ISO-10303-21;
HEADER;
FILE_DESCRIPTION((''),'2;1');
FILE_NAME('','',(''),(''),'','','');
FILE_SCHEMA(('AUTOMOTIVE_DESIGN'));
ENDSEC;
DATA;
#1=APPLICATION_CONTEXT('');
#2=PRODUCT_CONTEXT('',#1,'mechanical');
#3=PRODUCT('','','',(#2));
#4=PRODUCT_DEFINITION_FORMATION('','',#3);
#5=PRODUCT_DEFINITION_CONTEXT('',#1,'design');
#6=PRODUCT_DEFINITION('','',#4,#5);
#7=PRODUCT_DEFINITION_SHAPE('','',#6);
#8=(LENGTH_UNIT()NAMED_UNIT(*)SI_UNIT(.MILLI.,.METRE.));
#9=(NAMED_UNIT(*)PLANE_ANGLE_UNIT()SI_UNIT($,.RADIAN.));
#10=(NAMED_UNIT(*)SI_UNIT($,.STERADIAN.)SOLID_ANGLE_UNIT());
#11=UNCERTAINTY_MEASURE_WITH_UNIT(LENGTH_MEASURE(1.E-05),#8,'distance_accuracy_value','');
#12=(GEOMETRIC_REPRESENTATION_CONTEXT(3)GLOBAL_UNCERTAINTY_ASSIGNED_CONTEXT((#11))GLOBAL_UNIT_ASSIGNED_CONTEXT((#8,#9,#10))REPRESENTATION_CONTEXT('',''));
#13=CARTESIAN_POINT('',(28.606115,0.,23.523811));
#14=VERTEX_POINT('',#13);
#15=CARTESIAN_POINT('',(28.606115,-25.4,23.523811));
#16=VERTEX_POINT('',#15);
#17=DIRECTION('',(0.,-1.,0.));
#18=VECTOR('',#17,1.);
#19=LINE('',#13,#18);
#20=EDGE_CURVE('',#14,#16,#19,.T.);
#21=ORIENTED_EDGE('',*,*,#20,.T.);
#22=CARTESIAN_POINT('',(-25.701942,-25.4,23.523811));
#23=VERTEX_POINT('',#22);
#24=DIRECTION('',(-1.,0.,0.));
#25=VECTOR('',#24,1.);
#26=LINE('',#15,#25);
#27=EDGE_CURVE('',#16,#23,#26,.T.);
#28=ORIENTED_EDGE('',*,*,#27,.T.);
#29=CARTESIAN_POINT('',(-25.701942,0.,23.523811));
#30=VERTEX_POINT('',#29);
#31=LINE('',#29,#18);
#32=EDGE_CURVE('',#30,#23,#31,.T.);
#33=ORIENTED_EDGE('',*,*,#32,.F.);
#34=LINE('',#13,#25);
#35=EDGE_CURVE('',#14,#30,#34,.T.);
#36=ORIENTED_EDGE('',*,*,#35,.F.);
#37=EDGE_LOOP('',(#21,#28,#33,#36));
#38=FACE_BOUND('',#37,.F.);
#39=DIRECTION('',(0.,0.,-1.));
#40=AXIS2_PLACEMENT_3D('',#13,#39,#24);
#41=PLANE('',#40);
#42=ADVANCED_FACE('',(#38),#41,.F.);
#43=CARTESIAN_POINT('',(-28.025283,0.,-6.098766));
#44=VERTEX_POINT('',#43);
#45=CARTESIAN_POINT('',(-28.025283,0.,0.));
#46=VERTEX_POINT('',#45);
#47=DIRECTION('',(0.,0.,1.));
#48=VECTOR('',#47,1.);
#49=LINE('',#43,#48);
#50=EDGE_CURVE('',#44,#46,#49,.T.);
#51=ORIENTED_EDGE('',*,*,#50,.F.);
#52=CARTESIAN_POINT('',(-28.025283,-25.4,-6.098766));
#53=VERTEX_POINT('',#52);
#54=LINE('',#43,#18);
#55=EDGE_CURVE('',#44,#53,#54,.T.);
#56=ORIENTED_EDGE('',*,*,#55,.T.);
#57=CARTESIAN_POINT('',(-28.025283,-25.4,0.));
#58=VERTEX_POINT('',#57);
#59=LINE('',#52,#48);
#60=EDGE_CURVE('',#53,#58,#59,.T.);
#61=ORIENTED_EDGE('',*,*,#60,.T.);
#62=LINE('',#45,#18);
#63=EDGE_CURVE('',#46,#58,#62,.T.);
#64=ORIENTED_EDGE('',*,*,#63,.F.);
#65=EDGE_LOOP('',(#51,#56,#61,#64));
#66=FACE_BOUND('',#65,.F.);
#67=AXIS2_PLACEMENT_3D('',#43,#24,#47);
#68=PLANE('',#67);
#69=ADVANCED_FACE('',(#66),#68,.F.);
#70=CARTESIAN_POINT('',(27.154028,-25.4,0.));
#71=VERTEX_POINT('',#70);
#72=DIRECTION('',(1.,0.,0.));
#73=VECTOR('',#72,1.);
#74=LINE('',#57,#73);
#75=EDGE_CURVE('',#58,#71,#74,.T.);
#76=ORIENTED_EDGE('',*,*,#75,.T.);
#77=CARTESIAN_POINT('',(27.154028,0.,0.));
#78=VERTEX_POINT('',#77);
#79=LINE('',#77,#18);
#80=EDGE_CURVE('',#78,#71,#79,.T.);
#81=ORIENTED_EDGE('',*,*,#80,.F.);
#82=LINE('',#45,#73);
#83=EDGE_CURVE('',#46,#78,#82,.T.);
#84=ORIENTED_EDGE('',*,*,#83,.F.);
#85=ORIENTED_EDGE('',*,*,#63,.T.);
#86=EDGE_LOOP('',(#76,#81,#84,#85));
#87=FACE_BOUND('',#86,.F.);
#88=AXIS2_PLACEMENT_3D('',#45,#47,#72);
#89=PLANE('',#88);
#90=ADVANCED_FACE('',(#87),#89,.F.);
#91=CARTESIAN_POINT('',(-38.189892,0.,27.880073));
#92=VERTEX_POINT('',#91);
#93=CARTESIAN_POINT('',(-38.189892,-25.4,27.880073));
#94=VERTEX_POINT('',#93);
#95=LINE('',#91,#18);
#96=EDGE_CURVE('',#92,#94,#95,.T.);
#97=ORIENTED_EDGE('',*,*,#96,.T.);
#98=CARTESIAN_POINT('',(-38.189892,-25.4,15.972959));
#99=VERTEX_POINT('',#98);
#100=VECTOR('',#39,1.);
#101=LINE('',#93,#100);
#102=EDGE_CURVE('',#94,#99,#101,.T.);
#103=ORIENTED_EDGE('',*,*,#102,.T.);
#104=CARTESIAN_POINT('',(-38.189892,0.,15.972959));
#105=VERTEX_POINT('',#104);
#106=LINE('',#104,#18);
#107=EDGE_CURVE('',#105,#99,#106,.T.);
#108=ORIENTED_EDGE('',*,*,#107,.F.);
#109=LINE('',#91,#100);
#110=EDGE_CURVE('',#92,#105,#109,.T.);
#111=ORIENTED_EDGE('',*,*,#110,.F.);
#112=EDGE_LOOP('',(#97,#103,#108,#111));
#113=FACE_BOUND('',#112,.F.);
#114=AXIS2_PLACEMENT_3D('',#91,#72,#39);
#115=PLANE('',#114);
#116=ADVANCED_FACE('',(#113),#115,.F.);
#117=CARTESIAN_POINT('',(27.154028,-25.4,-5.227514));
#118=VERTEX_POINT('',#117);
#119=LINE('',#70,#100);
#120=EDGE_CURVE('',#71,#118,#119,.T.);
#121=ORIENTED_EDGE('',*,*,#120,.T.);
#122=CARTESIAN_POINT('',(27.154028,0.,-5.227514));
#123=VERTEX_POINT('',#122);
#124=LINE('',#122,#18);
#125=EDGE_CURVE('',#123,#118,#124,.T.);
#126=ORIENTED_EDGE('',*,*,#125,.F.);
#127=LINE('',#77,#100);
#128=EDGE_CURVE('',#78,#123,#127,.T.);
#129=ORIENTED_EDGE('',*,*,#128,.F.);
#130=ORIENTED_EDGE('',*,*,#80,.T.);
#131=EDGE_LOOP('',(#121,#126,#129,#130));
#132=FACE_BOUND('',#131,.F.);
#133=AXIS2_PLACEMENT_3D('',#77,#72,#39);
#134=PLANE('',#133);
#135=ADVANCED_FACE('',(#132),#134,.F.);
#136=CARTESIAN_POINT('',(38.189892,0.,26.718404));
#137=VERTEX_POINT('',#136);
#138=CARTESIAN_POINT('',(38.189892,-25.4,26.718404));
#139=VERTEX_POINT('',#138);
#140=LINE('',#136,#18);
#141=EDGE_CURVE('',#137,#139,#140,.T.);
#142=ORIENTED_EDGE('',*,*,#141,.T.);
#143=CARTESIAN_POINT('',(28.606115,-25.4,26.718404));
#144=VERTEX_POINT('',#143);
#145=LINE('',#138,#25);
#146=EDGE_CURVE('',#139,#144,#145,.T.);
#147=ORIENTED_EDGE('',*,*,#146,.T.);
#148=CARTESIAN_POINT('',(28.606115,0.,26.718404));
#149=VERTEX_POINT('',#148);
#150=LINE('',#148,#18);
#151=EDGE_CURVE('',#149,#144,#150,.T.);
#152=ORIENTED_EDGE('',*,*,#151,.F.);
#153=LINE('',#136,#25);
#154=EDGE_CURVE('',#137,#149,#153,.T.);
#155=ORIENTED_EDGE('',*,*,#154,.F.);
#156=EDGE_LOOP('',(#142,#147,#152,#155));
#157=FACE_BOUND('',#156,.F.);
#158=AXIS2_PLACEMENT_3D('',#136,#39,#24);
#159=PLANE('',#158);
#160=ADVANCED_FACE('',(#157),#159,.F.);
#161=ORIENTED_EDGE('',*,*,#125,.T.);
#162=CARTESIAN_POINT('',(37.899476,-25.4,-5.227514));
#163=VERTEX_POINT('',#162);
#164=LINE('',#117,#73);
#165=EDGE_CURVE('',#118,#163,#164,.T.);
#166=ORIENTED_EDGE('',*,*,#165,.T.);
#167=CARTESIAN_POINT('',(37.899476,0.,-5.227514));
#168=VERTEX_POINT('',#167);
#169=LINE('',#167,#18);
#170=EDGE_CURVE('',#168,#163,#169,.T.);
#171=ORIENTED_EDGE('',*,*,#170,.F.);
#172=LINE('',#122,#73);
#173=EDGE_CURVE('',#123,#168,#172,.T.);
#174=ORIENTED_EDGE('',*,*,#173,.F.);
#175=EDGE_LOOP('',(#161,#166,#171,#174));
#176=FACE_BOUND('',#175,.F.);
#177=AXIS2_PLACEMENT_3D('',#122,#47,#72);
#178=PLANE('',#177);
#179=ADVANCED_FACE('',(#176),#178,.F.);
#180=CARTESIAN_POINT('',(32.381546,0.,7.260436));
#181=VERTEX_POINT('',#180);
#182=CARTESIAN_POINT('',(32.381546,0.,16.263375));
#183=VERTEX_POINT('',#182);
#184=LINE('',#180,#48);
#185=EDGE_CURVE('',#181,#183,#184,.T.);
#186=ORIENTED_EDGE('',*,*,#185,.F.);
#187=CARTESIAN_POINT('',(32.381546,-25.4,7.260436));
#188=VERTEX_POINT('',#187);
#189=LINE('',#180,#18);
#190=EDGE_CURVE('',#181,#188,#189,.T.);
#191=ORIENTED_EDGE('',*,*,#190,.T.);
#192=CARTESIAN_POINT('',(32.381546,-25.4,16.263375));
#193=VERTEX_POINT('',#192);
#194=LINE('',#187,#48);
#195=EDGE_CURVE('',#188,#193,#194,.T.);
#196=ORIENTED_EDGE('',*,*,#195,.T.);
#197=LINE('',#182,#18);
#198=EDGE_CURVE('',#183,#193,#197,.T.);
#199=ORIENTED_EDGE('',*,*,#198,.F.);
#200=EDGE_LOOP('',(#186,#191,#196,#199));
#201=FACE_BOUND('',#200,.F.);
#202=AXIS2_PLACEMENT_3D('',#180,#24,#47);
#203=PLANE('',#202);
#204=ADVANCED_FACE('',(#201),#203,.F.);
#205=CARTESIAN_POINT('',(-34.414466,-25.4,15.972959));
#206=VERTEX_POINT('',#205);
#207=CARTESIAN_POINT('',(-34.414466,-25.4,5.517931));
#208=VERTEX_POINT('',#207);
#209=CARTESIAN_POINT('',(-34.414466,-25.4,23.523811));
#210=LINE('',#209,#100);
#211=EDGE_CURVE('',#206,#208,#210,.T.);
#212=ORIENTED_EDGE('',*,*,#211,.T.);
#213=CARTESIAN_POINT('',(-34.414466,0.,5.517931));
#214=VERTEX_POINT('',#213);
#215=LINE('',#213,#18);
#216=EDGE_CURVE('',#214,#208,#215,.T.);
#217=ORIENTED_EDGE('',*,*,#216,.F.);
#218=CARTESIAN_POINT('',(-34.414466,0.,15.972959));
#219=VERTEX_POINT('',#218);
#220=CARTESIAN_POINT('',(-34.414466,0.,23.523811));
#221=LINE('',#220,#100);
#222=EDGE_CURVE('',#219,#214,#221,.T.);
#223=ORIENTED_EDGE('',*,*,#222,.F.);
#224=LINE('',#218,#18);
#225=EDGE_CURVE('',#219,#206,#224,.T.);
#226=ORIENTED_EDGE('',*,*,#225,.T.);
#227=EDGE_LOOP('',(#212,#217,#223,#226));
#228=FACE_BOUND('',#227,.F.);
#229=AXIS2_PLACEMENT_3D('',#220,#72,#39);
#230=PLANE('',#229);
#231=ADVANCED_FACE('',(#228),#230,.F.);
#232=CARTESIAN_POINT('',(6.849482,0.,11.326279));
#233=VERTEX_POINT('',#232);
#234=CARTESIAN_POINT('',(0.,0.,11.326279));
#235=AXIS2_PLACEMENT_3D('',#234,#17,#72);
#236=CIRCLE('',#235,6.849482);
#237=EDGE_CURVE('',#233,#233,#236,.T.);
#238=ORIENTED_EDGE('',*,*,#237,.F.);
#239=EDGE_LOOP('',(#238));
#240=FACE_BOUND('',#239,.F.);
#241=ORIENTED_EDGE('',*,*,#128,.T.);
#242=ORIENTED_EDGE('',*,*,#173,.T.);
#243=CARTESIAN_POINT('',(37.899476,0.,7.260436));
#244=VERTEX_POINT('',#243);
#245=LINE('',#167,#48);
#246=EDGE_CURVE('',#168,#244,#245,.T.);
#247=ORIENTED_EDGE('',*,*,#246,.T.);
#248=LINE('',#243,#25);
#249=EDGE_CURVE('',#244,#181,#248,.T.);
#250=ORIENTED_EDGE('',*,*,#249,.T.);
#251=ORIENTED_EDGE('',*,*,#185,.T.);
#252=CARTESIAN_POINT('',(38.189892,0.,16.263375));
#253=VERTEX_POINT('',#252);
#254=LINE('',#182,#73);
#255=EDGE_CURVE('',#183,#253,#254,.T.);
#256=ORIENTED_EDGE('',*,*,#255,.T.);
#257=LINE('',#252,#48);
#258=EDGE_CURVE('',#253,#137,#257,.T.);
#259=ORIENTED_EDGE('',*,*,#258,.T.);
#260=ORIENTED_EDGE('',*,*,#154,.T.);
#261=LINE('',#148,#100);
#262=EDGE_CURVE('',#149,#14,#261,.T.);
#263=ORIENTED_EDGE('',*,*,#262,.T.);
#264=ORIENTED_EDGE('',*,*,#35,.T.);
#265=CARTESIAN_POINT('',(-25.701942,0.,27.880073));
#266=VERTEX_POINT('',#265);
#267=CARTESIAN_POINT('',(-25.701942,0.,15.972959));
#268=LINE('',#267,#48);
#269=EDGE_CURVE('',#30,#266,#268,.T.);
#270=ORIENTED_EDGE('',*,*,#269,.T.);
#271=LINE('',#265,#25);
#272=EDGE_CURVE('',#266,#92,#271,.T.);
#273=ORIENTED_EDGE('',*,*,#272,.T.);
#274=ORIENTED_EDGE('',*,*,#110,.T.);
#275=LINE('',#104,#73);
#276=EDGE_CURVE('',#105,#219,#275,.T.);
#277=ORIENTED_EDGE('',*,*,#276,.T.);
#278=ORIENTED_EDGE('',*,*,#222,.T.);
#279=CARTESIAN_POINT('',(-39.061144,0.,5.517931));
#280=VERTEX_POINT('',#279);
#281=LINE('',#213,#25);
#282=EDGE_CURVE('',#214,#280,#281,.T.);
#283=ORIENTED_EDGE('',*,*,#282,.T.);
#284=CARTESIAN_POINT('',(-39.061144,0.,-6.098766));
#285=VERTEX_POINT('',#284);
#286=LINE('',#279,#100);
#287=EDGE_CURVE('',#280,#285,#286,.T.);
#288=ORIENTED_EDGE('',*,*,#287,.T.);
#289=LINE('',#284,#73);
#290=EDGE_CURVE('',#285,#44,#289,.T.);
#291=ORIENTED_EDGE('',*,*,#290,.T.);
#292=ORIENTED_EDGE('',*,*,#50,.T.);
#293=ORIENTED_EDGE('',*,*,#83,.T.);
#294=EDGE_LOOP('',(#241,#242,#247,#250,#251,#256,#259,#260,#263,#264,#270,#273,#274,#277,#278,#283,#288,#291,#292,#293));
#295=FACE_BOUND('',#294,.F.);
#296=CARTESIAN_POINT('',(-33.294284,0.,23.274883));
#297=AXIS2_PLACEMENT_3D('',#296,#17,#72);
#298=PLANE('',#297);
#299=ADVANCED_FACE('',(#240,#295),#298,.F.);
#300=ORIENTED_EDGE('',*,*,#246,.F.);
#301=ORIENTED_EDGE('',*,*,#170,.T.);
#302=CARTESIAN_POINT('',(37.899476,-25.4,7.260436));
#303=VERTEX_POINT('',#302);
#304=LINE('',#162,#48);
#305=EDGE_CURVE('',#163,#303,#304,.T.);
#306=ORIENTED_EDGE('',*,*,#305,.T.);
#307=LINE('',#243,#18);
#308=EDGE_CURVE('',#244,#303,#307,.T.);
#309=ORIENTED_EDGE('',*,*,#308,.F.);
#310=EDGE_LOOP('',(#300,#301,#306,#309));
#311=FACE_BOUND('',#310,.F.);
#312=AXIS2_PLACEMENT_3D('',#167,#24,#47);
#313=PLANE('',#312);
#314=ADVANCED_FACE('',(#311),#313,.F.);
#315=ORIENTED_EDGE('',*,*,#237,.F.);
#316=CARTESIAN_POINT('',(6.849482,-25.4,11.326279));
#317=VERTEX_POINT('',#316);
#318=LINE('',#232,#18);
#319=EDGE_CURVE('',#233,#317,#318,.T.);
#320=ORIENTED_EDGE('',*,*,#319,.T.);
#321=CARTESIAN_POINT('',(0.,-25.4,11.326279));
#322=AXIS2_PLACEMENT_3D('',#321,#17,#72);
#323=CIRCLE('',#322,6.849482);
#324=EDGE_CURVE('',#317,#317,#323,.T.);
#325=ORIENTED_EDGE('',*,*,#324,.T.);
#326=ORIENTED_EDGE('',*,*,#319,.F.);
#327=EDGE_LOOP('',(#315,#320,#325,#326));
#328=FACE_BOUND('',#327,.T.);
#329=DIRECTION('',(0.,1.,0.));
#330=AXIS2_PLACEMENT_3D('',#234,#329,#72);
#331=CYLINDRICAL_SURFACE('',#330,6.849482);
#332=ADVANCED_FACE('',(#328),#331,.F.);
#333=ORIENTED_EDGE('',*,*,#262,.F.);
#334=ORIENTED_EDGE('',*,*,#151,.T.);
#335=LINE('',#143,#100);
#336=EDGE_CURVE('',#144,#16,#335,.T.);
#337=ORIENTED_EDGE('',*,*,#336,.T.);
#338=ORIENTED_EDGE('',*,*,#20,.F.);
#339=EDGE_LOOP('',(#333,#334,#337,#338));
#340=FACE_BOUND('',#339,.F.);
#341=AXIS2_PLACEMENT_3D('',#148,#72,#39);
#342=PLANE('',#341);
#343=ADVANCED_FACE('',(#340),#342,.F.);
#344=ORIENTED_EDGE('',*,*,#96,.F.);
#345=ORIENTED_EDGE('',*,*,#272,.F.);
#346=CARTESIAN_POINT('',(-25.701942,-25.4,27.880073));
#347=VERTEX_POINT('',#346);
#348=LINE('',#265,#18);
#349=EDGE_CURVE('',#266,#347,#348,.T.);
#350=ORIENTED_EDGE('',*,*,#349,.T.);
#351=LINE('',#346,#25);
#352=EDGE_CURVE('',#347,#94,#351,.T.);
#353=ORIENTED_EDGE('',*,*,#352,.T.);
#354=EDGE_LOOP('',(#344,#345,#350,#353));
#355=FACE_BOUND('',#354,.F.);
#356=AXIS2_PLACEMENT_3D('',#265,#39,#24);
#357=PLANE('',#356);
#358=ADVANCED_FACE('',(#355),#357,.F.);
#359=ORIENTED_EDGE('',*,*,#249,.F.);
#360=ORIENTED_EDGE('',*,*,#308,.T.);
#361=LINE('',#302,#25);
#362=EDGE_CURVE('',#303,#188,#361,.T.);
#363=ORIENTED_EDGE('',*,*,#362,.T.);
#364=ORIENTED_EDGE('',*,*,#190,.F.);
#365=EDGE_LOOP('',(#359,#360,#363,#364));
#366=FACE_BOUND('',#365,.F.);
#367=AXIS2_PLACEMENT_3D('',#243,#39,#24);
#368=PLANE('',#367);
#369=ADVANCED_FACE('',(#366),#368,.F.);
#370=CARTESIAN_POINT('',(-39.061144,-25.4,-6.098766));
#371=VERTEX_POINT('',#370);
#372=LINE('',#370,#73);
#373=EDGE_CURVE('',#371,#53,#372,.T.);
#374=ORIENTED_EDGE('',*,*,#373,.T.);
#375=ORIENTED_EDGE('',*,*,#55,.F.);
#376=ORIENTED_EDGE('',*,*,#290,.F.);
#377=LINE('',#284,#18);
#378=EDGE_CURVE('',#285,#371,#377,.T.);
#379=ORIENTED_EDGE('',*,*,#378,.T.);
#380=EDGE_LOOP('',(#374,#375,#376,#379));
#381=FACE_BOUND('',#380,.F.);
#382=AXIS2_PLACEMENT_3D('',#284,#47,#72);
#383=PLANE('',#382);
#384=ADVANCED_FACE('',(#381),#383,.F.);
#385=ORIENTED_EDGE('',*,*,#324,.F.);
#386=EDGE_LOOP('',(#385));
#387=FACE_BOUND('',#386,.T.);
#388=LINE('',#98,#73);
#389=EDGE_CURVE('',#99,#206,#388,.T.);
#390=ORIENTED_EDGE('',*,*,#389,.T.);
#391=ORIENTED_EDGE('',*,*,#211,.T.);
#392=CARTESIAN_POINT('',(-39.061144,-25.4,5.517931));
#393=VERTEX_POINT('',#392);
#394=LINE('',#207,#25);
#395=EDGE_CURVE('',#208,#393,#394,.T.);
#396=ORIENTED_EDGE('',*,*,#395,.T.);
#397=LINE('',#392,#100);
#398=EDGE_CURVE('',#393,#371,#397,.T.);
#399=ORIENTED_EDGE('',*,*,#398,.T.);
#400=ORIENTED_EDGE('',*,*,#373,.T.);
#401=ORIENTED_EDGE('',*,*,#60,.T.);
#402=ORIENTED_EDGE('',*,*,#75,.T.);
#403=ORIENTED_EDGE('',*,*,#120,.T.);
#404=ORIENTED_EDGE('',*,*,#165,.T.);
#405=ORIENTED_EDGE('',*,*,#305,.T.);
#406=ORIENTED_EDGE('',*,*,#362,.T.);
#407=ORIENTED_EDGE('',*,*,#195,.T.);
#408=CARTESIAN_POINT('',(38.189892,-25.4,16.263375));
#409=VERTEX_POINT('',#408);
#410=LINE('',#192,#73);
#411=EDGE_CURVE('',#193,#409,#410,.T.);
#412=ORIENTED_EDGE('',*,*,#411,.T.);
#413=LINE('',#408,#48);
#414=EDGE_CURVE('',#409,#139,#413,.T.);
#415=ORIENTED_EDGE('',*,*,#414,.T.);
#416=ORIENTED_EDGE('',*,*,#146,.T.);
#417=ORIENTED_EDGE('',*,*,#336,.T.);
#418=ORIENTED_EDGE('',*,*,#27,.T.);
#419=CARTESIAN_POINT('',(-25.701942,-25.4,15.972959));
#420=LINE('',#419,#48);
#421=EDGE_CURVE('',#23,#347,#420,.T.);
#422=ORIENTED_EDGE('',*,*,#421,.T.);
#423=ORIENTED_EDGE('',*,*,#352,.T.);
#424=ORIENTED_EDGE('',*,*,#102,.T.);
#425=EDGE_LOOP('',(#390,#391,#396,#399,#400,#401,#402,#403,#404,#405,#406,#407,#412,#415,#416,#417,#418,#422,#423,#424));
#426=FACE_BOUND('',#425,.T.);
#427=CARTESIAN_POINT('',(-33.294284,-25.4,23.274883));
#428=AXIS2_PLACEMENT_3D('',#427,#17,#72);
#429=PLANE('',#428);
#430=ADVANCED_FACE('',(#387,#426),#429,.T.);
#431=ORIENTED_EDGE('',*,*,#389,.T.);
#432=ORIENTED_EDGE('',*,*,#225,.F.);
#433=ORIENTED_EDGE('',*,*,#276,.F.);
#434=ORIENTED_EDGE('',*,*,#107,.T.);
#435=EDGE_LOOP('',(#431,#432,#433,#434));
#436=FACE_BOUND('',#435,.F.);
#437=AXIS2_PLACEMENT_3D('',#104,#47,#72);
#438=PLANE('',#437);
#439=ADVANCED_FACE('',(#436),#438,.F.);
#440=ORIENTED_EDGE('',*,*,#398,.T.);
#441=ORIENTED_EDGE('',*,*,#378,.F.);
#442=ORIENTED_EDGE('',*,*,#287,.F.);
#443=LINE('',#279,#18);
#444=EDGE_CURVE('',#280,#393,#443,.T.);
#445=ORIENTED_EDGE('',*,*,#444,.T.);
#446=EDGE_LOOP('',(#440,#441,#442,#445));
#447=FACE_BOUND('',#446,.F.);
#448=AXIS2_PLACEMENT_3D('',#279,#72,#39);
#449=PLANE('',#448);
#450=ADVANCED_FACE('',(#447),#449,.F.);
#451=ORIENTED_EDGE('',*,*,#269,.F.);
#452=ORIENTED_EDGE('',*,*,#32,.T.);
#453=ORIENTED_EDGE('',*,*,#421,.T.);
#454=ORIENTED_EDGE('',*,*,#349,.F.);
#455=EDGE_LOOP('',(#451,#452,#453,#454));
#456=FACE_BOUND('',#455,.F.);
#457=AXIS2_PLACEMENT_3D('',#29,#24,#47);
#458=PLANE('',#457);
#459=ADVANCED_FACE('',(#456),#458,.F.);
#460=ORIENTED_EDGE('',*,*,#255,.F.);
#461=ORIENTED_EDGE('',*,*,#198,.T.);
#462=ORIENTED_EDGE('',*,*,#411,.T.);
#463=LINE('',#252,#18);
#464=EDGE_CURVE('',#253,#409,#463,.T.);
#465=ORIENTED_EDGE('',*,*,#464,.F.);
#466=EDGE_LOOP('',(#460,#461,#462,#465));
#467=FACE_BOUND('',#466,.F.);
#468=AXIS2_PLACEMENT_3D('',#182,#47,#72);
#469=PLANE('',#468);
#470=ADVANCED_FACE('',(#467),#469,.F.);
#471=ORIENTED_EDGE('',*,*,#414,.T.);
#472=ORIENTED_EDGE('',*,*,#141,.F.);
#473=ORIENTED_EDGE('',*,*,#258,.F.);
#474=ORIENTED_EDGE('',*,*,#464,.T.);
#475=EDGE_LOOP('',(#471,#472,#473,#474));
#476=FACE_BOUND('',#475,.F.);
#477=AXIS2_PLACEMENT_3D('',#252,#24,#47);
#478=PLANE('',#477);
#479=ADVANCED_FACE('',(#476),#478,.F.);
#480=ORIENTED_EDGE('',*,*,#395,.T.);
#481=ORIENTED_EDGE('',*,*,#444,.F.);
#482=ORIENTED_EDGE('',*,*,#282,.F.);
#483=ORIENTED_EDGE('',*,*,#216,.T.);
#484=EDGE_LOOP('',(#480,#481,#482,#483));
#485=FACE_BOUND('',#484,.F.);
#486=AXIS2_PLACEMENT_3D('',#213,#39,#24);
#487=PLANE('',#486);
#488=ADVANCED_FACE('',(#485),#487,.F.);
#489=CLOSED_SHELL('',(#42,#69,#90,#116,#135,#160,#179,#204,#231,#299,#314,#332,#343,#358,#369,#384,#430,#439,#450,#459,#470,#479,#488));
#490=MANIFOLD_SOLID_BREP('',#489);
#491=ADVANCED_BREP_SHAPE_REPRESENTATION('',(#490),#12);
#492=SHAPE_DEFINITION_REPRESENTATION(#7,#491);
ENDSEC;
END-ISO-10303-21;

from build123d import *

# Parameters (mm, degrees)
F0_W     = 8.7125245482
F0_H     = 7.5508523732
F0_R     = 6.8494820219
F0_W_2   = 3.7754308432
F0_H_2   = 7.2604361922
F1_DEPTH = 25.4
F0_W_3   = 6.3891839236
F0_H_3   = 5.5179311894
F0_W_4   = 5.2275173366
F0_H_4   = 7.2604357265
F2_DEPTH = 25.4


with BuildPart() as f1:
    # F0 (on Front) → F1 (new body)
    with BuildSketch(Plane.XZ):
        with Locations((-30.0582041964, 19.7483850643)):
            Rectangle(F0_W, F0_H)
        Polygon((28.6061149091, 23.5238112509), (-25.7019419223, 23.5238112509), (-25.7019419223, 15.9729588777), (-34.4144664705, 15.9729588777), (-34.4144664705, 5.5179311894), (-28.0252825469, 5.5179311894), (-28.0252825469, 0), (27.1540284157, 0), (27.1540284157, 7.2604357265), (32.3815457523, 7.2604357265), (32.3815457523, 16.2633750588), (28.6061149091, 16.2633750588), align=None)
        with Locations((0, 11.3262794912)):
            Circle(F0_R, mode=Mode.SUBTRACT)
        with Locations((30.4938303307, 19.8935931548)):
            Rectangle(F0_W_2, F0_H_2)
    extrude(amount=F1_DEPTH)

    # F0 (on Front) → F2 (join)
    with BuildSketch(Plane.XZ):
        Polygon((-34.4144664705, 15.9729588777), (-34.4144664705, 23.5238112509), (-25.7019419223, 23.5238112509), (-25.7019419223, 27.8800725937), (-38.1898917258, 27.8800725937), (-38.1898917258, 15.9729588777), align=None)
        with Locations((-30.0582041964, 19.7483850643)):
            Rectangle(F0_W, F0_H)
        Polygon((28.6061149091, 23.5238112509), (-25.7019419223, 23.5238112509), (-25.7019419223, 15.9729588777), (-34.4144664705, 15.9729588777), (-34.4144664705, 5.5179311894), (-28.0252825469, 5.5179311894), (-28.0252825469, 0), (27.1540284157, 0), (27.1540284157, 7.2604357265), (32.3815457523, 7.2604357265), (32.3815457523, 16.2633750588), (28.6061149091, 16.2633750588), align=None)
        with Locations((0, 11.3262794912)):
            Circle(F0_R, mode=Mode.SUBTRACT)
        Polygon((28.6061149091, 26.718404144), (28.6061149091, 23.5238112509), (32.3815457523, 23.5238112509), (32.3815457523, 16.2633750588), (38.1898917258, 16.2633750588), (38.1898917258, 26.718404144), align=None)
        with Locations((30.4938303307, 19.8935931548)):
            Rectangle(F0_W_2, F0_H_2)
        with Locations((-31.2198745087, 2.7589655947)):
            Rectangle(F0_W_3, F0_H_3)
        Polygon((-34.4144664705, 0), (-34.4144664705, 5.5179311894), (-39.0611439943, 5.5179311894), (-39.0611439943, -6.0987658799), (-28.0252825469, -6.0987658799), (-28.0252825469, 0), align=None)
        Polygon((37.8994755447, 7.2604357265), (32.3815457523, 7.2604357265), (32.3815457523, 0), (27.1540284157, 0), (27.1540284157, -5.2275136113), (37.8994755447, -5.2275136113), align=None)
        with Locations((29.767787084, 3.6302178632)):
            Rectangle(F0_W_4, F0_H_4)
    extrude(amount=F2_DEPTH)


solid = f1.part
